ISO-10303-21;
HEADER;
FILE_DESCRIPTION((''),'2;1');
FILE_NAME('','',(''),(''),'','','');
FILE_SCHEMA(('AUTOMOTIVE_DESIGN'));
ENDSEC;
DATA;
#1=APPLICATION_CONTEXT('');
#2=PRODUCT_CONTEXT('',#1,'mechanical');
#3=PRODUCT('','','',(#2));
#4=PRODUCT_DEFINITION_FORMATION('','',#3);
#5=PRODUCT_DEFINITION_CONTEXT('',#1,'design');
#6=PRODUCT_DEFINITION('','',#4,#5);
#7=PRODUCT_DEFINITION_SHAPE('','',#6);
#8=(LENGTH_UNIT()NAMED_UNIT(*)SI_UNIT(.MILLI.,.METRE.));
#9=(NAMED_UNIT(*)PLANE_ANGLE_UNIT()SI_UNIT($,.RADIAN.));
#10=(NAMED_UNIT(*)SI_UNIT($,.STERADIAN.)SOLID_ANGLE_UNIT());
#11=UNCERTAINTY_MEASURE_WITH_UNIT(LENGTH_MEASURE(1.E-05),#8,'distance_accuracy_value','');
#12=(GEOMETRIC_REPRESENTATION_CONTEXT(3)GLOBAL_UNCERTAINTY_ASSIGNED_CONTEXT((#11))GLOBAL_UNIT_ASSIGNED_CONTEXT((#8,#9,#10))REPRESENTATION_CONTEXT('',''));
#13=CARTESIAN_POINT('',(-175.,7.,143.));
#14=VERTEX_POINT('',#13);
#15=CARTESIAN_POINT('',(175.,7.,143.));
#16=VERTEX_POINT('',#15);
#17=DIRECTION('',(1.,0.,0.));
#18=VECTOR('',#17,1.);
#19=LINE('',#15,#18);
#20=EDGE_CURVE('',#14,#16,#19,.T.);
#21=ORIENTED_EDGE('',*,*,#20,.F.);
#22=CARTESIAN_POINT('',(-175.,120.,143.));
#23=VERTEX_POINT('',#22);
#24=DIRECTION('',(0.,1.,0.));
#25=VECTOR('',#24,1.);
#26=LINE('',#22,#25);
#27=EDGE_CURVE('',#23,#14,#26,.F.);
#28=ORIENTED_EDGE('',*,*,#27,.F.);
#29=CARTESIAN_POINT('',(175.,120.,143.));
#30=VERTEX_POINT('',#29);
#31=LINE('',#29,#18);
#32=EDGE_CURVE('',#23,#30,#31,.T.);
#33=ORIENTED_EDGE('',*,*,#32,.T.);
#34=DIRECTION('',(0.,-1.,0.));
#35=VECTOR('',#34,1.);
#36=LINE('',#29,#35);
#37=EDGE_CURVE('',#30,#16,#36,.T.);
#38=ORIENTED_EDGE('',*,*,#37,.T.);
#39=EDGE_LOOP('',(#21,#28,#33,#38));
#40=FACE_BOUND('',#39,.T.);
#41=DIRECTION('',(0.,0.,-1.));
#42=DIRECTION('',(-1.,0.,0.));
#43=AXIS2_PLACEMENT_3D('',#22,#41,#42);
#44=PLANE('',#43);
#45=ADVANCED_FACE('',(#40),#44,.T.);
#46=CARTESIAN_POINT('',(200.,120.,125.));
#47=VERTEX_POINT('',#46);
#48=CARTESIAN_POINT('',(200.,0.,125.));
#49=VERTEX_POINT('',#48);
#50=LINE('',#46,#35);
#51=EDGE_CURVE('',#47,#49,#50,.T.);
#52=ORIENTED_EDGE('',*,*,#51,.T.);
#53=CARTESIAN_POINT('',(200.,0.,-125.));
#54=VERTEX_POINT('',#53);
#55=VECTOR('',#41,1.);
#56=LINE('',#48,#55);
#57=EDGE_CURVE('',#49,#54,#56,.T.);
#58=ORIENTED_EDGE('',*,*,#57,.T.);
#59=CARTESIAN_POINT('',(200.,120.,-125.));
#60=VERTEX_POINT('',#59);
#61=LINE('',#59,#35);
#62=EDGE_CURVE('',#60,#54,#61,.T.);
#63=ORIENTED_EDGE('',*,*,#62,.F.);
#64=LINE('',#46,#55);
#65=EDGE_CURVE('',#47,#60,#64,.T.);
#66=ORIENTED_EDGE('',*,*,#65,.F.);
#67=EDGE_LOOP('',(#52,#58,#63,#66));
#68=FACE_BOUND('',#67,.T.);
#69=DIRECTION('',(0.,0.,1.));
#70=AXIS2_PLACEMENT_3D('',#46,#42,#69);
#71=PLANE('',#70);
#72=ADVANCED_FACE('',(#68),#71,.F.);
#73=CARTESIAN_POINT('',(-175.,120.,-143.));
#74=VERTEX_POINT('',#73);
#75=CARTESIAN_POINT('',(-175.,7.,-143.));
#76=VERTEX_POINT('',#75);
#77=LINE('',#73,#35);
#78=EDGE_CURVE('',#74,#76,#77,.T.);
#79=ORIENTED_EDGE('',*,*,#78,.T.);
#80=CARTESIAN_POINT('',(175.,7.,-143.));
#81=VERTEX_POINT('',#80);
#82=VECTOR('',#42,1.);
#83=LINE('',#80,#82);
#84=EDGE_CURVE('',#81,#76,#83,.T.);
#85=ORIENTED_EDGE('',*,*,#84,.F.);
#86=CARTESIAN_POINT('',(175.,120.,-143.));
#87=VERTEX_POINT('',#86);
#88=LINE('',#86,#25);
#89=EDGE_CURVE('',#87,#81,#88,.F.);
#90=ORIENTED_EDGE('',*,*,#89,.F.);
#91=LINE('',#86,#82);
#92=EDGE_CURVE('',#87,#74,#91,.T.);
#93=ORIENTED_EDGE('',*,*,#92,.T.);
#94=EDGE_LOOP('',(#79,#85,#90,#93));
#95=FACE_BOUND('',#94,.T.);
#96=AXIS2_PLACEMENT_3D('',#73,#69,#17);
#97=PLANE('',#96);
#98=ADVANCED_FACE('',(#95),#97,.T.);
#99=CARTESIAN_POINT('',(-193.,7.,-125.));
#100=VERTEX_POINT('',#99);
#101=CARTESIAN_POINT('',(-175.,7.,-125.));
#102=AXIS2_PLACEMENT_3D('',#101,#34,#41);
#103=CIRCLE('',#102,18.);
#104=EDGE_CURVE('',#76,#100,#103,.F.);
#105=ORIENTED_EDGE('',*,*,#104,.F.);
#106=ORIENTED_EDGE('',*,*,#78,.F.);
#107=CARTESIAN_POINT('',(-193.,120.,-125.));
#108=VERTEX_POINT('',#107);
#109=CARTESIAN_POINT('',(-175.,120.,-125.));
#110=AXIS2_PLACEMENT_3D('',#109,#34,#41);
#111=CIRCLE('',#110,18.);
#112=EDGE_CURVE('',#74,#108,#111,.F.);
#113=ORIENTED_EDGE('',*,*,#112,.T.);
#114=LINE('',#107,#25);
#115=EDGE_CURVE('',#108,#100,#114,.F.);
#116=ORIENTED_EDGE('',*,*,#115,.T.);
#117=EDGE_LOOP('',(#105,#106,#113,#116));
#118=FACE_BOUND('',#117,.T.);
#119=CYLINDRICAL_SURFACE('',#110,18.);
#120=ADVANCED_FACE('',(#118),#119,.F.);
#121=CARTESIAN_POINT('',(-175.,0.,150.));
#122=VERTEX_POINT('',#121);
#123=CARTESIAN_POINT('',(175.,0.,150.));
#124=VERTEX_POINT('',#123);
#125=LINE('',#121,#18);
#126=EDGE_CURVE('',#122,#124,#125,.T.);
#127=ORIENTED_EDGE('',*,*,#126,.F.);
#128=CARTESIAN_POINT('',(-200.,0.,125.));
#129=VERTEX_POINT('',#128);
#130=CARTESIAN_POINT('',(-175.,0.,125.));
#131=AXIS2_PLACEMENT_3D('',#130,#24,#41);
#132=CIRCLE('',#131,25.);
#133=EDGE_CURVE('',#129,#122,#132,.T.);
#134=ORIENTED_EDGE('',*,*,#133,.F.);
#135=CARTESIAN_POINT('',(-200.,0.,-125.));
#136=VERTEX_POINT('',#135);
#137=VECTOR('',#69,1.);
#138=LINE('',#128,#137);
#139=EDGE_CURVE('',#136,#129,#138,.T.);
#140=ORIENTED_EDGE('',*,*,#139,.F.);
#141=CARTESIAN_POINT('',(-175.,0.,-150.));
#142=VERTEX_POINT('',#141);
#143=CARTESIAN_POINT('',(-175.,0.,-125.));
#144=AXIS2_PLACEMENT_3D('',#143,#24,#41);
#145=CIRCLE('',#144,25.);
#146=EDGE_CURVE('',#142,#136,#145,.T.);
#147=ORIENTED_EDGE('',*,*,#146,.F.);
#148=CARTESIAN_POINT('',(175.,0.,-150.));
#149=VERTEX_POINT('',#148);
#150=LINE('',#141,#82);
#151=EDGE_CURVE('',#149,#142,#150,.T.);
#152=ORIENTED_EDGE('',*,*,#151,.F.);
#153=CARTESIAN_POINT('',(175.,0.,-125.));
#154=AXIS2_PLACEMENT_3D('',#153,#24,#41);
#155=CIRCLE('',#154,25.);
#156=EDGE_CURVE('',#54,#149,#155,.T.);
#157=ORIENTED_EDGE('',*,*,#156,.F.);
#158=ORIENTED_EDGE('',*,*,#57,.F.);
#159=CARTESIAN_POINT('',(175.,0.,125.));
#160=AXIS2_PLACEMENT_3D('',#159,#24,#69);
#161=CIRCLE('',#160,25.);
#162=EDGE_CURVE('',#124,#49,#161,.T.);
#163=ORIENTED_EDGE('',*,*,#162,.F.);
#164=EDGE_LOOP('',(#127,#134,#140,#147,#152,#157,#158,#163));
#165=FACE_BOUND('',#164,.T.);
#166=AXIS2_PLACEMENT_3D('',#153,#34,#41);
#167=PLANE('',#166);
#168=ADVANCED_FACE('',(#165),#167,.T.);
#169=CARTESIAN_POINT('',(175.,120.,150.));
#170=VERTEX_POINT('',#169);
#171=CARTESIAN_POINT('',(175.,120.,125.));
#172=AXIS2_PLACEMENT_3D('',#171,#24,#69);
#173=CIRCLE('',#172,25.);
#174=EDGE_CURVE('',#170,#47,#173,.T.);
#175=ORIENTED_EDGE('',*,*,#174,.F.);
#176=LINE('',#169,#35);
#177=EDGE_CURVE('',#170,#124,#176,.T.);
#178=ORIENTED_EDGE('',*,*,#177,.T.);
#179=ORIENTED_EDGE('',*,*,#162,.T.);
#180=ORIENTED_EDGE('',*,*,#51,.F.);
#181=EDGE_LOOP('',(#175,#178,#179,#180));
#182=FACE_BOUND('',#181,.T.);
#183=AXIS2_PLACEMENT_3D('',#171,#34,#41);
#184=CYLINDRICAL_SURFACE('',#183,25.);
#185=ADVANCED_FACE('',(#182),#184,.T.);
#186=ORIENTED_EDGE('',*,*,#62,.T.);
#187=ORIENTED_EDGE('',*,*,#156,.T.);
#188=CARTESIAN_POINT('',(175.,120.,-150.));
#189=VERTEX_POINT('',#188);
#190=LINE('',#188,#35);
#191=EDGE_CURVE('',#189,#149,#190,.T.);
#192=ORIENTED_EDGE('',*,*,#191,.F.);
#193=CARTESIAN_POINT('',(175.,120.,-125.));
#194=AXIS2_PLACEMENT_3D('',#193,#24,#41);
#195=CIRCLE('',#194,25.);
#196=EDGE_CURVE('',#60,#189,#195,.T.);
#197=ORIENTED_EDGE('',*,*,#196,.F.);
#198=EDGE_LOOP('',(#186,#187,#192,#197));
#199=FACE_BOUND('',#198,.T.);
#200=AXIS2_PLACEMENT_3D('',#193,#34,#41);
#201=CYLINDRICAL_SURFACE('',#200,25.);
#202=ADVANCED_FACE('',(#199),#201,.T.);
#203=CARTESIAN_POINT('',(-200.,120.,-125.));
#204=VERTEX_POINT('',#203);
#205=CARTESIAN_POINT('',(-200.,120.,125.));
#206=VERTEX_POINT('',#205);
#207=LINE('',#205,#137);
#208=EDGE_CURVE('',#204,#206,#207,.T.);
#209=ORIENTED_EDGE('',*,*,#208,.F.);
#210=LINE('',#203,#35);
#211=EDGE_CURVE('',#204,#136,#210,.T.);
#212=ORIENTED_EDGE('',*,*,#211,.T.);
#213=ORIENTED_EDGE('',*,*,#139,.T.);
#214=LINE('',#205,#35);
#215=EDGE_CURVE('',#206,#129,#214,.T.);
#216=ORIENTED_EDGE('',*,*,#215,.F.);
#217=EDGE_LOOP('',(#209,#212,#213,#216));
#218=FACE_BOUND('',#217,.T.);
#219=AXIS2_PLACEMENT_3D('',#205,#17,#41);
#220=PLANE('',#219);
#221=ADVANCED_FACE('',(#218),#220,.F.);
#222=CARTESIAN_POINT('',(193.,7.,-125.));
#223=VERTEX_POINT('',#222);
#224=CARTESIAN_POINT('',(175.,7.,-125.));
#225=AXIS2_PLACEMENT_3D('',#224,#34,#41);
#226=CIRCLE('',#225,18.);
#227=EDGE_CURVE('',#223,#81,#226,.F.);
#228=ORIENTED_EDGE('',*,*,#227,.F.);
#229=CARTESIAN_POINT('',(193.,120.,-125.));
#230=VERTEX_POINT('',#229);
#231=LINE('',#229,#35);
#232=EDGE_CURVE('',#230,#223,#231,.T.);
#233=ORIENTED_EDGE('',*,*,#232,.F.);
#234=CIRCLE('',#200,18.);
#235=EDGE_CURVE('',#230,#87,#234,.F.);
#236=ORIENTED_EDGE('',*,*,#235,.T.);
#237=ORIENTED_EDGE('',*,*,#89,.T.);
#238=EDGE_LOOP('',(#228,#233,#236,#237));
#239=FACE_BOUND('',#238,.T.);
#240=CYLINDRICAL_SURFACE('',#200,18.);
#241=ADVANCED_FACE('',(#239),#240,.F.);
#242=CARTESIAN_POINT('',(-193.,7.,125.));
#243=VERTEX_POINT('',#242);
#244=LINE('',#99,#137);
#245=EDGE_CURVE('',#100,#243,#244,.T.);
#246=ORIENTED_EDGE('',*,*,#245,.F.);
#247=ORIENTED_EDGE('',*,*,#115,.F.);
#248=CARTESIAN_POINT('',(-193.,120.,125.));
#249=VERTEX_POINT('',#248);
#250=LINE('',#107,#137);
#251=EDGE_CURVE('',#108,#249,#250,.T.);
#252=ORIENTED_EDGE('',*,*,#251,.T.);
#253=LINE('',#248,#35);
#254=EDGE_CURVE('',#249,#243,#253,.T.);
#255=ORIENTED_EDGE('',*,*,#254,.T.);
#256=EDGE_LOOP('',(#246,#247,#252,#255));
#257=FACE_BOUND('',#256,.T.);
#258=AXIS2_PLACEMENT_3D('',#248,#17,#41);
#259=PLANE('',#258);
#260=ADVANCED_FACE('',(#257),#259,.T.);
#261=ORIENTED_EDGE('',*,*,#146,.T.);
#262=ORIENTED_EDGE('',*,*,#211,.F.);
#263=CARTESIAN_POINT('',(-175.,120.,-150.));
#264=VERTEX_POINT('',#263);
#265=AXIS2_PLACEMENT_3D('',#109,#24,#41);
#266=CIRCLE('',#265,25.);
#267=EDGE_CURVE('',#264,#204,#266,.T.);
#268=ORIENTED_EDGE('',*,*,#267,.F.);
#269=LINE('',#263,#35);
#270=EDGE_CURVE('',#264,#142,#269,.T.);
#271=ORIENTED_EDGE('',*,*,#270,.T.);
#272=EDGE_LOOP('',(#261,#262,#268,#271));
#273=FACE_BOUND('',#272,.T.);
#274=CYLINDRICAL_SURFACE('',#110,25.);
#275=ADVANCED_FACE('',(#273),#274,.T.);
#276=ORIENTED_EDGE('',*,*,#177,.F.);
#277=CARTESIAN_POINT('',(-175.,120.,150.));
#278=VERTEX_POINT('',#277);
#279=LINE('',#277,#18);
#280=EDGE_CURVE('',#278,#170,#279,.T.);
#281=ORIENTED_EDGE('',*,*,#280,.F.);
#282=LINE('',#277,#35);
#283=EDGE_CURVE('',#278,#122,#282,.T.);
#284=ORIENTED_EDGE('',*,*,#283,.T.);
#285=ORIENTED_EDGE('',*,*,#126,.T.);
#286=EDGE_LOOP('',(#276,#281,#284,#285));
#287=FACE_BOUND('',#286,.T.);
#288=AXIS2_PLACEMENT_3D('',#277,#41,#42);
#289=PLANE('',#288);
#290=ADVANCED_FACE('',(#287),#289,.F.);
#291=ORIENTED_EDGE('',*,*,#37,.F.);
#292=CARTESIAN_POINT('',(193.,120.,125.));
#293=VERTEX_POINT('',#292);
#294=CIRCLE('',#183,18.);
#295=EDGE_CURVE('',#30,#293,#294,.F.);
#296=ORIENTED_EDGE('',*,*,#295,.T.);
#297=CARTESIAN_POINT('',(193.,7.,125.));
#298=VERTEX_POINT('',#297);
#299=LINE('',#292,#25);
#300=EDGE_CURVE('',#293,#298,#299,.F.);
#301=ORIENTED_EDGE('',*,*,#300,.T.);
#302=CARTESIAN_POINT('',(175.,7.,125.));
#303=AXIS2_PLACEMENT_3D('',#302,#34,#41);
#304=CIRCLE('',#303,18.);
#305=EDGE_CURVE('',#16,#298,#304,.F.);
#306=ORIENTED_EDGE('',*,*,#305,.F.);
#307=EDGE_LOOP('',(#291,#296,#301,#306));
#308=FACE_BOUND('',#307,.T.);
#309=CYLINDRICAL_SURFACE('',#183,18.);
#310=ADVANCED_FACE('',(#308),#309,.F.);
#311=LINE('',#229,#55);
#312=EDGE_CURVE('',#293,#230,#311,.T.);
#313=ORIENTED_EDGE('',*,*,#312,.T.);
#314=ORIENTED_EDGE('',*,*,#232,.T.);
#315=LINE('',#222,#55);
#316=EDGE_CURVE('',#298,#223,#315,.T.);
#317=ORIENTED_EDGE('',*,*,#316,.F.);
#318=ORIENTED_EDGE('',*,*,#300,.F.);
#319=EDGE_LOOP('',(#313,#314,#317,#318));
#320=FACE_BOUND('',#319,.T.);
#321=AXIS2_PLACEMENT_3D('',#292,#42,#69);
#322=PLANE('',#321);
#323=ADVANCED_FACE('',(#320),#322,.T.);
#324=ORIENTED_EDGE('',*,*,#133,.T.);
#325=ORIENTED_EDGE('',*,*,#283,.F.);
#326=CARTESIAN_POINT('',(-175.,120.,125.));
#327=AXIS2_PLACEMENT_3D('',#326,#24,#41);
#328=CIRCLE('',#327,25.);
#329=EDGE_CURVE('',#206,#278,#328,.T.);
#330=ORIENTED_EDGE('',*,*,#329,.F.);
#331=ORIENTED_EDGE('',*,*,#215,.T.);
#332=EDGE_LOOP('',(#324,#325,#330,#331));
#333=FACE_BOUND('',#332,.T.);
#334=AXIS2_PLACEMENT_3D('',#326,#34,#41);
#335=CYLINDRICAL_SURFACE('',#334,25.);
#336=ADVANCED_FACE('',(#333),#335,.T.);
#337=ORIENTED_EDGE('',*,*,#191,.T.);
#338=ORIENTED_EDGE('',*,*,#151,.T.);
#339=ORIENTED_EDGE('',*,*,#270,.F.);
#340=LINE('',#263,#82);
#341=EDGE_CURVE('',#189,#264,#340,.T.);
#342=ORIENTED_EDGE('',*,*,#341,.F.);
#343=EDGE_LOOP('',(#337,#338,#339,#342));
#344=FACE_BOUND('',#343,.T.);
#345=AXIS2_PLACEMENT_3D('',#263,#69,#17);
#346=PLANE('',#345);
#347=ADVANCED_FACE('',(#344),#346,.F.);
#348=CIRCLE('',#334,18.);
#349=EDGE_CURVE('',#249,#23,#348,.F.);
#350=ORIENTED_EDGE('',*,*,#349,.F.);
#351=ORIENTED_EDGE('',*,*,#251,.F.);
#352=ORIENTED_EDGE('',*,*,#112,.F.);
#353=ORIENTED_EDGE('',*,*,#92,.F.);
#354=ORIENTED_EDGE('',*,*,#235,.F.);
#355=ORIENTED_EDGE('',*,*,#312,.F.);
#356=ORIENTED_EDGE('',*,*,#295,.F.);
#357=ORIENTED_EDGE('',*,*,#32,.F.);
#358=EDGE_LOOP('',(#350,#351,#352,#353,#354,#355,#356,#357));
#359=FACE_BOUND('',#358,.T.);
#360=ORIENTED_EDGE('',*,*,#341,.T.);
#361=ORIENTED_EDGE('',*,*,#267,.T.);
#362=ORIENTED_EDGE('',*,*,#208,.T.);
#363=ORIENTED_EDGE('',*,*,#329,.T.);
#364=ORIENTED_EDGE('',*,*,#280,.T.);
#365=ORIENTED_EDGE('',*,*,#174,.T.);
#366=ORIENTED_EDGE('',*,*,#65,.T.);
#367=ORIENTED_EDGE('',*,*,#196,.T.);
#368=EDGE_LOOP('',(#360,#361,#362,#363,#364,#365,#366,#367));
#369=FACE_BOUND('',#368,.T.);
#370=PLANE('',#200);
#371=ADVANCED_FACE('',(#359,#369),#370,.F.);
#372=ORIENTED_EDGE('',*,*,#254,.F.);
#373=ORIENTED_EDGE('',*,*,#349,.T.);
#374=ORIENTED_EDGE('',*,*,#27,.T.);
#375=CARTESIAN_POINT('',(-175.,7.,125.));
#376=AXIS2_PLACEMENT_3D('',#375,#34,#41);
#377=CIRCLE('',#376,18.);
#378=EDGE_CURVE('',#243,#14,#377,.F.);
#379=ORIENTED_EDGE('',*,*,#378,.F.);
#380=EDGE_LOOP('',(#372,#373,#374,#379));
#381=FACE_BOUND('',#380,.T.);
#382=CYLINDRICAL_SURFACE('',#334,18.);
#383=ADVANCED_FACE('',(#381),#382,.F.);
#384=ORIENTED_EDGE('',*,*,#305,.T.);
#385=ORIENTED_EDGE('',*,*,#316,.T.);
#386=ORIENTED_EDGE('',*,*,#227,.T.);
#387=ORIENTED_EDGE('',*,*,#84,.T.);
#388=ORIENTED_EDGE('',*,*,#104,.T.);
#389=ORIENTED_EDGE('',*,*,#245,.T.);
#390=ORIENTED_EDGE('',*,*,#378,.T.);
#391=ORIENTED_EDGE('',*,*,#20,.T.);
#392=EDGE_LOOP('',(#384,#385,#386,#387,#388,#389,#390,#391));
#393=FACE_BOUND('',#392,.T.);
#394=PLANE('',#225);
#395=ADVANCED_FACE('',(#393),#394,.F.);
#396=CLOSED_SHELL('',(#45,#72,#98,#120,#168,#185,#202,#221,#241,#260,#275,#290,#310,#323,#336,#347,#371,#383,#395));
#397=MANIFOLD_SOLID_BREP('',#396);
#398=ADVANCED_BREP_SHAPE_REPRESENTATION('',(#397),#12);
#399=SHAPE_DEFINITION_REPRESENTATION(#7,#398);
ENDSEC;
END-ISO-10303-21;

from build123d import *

# Parameters (mm, degrees)
BOSS_EXTRUDE1_DEPTH = 120
SHELL1_T            = -7


with BuildPart() as part:
    # Sketch1 → Boss-Extrude1 (new body)
    with BuildSketch(Plane(origin=(0, 0, 0), x_dir=(1, 0, 0), z_dir=(0, 1, 0))):
        with BuildLine():
            Line((-175, -150), (175, -150))
            ThreePointArc((175, -150), (192.67766953, -142.67766953), (200, -125))
            Line((200, -125), (200, 125))
            ThreePointArc((200, 125), (192.67766953, 142.67766953), (175, 150))
            Line((175, 150), (-175, 150))
            ThreePointArc((-175, 150), (-192.67766953, 142.67766953), (-200, 125))
            Line((-200, 125), (-200, -125))
            ThreePointArc((-200, -125), (-192.67766953, -142.67766953), (-175, -150))
        make_face()
    extrude(amount=BOSS_EXTRUDE1_DEPTH)

    # Shell1
    shell1_openings = [part.faces().sort_by_distance(p)[0] for p in [
        (0, 120, 0),
    ]]
    offset(amount=SHELL1_T, openings=shell1_openings, kind=Kind.INTERSECTION)


solid = part.part
